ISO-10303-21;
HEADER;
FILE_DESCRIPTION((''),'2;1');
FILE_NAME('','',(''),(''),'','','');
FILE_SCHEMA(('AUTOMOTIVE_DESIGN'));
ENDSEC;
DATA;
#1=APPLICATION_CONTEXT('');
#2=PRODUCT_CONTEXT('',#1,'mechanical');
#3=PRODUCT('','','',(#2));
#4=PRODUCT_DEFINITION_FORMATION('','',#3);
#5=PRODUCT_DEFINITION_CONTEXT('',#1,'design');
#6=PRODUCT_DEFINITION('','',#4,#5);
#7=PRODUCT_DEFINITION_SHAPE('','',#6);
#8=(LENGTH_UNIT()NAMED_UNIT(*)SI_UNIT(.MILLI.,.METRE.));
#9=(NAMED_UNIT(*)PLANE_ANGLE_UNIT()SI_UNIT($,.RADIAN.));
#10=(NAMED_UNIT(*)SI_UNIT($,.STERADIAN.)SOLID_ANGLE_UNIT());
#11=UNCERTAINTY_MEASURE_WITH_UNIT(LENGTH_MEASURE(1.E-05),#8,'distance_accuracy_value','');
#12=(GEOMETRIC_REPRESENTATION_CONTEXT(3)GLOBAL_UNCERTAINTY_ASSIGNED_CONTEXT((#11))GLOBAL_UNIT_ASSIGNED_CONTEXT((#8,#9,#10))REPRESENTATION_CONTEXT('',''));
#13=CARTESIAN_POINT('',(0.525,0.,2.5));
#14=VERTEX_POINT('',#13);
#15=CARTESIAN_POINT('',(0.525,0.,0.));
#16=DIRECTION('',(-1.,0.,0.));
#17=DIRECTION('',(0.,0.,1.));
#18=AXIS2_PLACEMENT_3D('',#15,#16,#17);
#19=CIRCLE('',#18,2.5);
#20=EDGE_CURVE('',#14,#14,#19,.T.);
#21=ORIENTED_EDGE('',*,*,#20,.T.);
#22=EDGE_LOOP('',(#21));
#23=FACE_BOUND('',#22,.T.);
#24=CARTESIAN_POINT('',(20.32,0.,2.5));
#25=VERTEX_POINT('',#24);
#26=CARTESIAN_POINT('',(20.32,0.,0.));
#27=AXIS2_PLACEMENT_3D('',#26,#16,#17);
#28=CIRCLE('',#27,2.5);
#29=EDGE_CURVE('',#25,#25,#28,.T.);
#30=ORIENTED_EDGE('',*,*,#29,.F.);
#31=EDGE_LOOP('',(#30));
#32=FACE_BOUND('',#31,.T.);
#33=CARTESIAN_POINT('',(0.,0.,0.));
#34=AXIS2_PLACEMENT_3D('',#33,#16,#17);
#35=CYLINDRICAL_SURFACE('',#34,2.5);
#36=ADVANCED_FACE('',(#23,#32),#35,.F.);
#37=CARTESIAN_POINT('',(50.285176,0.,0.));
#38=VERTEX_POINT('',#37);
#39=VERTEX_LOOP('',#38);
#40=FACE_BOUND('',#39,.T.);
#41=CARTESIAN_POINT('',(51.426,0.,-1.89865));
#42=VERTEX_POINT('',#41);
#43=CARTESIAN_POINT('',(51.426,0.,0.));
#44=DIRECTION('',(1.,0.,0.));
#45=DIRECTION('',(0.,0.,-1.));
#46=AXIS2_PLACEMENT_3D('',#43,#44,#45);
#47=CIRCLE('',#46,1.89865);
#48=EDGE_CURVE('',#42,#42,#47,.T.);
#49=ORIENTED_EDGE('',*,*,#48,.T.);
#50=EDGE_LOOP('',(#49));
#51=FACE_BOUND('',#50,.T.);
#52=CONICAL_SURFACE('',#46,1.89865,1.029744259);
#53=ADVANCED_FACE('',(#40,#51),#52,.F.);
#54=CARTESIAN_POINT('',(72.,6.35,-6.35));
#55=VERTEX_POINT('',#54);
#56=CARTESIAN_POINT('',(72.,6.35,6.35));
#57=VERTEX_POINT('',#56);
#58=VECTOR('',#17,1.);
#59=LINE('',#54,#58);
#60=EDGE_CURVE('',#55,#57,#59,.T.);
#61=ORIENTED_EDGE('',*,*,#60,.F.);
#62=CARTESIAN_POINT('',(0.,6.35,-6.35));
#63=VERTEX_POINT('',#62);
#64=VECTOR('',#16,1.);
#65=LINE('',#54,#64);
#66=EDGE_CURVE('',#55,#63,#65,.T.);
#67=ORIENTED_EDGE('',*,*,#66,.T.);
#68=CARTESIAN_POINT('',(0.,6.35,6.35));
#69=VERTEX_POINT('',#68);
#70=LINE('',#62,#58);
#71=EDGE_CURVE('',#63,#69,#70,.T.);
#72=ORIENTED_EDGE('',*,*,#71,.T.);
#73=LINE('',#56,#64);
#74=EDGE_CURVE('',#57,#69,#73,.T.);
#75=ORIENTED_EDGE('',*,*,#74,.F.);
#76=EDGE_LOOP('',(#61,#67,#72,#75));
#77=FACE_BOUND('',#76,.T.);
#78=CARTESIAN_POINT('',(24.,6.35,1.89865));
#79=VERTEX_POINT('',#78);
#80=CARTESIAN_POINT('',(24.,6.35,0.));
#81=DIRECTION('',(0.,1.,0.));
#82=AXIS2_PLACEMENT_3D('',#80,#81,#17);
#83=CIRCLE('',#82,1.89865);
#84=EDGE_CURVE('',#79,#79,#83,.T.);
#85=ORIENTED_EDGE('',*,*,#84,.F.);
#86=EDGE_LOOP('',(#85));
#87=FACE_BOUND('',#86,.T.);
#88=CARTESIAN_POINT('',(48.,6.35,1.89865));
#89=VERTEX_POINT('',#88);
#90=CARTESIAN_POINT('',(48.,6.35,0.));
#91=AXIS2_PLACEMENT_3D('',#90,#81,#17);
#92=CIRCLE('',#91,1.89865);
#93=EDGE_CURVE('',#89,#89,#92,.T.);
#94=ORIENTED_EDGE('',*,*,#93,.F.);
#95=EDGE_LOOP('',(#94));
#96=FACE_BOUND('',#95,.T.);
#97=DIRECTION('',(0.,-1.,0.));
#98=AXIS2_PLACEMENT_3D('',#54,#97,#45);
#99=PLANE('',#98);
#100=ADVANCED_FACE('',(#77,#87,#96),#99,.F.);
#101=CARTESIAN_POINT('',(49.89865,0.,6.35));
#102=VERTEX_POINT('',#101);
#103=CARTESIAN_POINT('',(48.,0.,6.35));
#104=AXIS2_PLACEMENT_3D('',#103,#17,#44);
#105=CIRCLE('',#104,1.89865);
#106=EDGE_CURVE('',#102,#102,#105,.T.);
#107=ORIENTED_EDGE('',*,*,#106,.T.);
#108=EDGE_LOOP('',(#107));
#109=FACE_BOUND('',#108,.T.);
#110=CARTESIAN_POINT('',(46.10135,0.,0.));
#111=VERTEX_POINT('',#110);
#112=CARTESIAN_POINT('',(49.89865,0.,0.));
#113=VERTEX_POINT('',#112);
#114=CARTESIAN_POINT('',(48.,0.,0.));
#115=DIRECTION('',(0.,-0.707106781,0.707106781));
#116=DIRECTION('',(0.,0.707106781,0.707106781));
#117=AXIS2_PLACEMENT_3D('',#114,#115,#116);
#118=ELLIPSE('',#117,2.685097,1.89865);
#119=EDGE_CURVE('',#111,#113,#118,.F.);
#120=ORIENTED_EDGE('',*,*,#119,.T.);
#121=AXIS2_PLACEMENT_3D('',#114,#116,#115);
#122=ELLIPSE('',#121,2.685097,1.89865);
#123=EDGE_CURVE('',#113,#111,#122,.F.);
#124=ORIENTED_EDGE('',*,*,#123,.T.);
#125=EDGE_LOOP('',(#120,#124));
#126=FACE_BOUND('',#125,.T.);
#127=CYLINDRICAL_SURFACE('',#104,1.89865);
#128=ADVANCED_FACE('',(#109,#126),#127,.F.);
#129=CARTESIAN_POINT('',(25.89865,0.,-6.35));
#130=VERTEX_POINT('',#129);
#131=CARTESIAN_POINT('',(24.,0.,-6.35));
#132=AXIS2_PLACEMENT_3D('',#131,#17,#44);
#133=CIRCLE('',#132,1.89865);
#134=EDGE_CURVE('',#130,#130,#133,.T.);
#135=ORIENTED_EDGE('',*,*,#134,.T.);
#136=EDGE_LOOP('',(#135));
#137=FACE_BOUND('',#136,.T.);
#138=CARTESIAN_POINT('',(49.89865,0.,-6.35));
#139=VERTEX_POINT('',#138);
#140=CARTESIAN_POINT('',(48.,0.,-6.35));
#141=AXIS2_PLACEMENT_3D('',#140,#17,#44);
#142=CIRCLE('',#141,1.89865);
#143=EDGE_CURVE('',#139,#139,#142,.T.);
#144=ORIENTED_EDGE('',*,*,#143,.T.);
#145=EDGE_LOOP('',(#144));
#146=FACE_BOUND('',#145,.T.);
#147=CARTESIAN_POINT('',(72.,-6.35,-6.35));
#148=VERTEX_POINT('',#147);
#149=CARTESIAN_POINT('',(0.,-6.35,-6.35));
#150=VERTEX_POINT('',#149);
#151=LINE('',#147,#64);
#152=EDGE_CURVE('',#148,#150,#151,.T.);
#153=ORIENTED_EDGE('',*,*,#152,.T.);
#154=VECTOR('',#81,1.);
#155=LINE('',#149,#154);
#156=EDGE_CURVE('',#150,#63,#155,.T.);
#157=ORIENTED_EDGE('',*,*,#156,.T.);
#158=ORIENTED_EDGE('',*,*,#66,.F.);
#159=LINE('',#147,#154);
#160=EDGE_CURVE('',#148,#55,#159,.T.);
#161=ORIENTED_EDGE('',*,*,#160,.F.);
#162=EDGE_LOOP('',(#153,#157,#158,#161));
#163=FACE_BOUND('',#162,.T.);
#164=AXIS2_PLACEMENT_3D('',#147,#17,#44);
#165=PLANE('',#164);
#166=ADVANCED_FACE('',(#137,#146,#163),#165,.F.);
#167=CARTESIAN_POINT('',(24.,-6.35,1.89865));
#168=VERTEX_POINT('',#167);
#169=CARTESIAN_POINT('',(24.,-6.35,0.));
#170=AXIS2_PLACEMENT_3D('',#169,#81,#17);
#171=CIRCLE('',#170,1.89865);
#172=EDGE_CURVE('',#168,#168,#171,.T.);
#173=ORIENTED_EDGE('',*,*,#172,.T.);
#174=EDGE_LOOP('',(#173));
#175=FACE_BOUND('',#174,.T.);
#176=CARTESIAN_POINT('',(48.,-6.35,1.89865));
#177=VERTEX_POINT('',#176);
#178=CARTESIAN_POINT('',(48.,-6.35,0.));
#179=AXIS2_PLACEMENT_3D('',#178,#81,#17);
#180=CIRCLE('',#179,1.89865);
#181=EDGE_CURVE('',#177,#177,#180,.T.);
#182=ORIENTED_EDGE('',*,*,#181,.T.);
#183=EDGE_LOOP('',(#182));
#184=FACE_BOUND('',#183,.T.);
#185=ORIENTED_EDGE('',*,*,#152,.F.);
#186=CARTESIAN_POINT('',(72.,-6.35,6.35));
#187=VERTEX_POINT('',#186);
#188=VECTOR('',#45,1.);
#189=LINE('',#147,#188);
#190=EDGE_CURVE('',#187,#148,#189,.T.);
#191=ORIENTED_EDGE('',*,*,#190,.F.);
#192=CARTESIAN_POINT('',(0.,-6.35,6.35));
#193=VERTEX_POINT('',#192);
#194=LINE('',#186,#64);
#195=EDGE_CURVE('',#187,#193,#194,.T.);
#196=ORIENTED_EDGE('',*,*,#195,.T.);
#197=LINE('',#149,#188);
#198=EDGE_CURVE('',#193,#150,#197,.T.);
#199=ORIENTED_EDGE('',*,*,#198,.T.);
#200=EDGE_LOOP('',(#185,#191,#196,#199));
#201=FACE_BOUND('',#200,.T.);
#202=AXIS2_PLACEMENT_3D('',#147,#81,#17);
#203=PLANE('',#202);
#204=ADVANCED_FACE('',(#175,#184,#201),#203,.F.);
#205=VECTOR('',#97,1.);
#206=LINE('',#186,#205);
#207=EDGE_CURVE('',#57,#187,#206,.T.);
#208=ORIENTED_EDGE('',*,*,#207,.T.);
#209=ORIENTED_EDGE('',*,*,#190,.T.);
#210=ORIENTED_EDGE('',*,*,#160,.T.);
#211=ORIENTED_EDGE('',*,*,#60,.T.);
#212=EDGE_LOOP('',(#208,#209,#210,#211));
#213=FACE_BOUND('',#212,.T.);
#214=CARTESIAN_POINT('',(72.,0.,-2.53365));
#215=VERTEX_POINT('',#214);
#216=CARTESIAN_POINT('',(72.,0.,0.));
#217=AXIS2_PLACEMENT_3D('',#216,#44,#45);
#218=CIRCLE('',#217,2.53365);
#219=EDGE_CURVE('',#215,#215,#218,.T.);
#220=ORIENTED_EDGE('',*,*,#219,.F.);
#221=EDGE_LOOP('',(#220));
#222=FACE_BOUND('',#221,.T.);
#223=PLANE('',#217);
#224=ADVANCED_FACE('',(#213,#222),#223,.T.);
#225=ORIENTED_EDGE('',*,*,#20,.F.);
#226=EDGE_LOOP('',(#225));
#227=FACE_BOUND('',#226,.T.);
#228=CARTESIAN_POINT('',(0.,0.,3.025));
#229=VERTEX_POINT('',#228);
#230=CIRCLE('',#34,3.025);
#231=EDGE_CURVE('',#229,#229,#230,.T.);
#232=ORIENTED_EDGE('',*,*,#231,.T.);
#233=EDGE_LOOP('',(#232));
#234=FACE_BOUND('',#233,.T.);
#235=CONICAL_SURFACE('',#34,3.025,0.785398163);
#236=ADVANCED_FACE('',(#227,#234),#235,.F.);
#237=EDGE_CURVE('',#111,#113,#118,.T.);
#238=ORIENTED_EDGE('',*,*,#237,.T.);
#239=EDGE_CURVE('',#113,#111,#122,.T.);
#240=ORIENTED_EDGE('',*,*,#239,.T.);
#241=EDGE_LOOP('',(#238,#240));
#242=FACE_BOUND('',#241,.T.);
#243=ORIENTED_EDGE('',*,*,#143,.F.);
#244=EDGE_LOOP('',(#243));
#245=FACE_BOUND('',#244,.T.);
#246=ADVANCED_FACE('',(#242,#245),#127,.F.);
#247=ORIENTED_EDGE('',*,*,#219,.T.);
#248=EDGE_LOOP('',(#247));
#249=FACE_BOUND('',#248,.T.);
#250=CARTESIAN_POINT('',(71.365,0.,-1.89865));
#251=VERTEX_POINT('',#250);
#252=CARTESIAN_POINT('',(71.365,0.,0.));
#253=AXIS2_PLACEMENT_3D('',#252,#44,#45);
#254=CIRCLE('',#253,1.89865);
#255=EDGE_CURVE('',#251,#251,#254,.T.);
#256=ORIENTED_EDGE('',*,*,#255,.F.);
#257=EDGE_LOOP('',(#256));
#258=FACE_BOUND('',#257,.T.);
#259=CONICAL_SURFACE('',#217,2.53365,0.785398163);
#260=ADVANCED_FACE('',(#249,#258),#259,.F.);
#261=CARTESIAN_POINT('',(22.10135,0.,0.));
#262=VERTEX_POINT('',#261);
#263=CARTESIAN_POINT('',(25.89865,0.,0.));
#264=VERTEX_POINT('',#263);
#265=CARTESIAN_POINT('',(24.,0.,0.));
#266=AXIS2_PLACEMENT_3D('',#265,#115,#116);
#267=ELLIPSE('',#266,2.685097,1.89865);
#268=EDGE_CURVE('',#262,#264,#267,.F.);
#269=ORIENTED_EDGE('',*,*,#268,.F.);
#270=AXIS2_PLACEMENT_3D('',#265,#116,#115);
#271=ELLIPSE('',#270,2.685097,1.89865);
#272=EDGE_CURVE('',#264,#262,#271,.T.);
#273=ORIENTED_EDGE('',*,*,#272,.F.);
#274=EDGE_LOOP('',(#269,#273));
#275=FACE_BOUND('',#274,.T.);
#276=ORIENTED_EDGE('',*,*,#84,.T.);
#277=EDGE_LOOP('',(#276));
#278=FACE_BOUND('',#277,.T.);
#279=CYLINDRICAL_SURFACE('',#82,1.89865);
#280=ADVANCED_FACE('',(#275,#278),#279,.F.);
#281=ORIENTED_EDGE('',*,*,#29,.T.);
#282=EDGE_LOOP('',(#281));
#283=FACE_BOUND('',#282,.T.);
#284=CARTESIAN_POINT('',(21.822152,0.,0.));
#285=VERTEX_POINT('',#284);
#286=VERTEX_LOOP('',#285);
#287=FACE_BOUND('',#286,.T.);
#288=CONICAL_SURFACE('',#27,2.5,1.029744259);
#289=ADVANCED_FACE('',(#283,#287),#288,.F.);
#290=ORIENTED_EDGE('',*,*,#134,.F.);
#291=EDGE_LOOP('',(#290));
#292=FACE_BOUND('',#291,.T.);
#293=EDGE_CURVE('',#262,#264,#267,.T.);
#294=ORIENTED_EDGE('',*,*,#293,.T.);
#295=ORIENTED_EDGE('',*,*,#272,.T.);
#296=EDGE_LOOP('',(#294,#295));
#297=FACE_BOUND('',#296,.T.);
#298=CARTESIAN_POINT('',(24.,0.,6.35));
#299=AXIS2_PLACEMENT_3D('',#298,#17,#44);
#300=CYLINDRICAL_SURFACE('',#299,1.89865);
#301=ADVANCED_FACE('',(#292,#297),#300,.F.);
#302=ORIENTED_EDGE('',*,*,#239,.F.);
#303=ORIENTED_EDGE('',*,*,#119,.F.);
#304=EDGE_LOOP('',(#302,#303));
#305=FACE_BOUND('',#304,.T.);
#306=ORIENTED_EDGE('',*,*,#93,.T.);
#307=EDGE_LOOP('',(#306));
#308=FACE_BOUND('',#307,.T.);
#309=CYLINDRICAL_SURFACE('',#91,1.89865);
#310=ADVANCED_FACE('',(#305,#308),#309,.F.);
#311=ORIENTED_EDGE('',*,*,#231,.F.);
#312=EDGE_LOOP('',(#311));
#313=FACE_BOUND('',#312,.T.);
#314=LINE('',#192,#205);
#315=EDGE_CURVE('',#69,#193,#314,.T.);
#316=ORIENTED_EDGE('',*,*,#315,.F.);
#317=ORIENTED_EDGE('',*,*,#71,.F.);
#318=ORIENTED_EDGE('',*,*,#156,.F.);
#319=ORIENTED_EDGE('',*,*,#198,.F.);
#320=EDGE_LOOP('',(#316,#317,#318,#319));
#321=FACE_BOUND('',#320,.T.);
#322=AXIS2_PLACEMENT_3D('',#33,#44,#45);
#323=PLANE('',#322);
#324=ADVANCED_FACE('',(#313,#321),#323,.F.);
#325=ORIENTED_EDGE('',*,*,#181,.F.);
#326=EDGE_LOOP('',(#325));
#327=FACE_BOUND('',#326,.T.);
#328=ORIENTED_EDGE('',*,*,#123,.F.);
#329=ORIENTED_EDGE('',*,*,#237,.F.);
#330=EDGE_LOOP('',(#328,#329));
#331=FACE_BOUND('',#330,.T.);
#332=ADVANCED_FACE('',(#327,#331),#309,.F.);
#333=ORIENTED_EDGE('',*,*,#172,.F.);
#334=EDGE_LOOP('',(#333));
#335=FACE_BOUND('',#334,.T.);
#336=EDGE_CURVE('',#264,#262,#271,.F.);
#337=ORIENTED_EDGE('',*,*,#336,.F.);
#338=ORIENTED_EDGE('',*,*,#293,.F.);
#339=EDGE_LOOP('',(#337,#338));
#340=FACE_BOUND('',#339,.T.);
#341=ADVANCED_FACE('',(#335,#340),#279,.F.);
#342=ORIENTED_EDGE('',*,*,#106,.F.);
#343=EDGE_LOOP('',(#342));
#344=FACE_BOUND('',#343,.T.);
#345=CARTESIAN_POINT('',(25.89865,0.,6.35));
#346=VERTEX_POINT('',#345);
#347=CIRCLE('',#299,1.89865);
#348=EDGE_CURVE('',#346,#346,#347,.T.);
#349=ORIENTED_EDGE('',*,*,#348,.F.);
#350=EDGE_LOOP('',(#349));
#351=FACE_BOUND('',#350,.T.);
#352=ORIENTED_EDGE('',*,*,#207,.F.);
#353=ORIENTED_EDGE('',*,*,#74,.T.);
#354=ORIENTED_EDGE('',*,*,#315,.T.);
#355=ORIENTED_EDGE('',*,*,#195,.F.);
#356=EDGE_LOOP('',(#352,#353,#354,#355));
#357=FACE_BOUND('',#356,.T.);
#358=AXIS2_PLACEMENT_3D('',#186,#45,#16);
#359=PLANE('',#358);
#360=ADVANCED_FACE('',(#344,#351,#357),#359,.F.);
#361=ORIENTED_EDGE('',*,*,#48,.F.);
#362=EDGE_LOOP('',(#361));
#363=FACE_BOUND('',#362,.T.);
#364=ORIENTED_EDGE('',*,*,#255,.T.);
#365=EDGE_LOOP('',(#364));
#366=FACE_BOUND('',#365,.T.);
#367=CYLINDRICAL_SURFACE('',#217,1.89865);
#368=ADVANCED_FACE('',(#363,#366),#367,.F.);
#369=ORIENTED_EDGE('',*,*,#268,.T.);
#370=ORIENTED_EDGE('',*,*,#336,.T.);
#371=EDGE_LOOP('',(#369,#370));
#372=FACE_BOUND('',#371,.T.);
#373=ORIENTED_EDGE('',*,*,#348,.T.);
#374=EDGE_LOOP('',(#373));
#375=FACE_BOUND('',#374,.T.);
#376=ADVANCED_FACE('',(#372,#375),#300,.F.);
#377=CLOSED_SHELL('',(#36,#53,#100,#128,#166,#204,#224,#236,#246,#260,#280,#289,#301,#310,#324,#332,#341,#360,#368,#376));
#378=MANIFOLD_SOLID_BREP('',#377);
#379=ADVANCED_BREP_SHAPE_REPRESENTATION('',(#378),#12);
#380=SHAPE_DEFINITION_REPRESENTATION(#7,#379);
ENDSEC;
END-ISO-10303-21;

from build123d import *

# Parameters (mm, degrees)
SKETCH1_W                        = 12.7
SKETCH1_H                        = 12.7
BOSS_EXTRUDE1_DEPTH              = 72
F_10_24_TAPPED_HOLE1_D           = 3.7973
F_10_24_TAPPED_HOLE2_D           = 3.7973
M6X1_0_TAPPED_HOLE2_D            = 5
M6X1_0_TAPPED_HOLE2_DEPTH        = 20.32
M6X1_0_TAPPED_HOLE2_CSINK_D      = 6.05
M6X1_0_TAPPED_HOLE2_CSINK_ANGLE  = 90
M6X1_0_TAPPED_HOLE2_TIP          = 1.502151548
F_10_24_TAPPED_HOLE3_D           = 3.7973
F_10_24_TAPPED_HOLE3_DEPTH       = 20.574
F_10_24_TAPPED_HOLE3_CSINK_D     = 5.0673
F_10_24_TAPPED_HOLE3_CSINK_ANGLE = 90
F_10_24_TAPPED_HOLE3_TIP         = 1.140824014
LPATTERN1_COUNT                  = 2
LPATTERN1_PITCH                  = 24
LPATTERN2_COUNT                  = 2
LPATTERN2_PITCH                  = 24


with BuildPart() as part:
    # Sketch1 → Boss-Extrude1 (new body)
    with BuildSketch(Plane(origin=(0, 0, 0), x_dir=(0, 0, -1), z_dir=(1, 0, 0))):
        Rectangle(SKETCH1_W, SKETCH1_H)
    extrude(amount=BOSS_EXTRUDE1_DEPTH)

    # #10-24 Tapped Hole1 (through all)
    with Locations(Plane.XY.offset(6.35)):
        with Locations((24, 0)):
            f_10_24_tapped_hole1 = Hole(F_10_24_TAPPED_HOLE1_D / 2)

    # #10-24 Tapped Hole2 (through all)
    with Locations(Plane(origin=(0, 6.35, 0), x_dir=(1, 0, 0), z_dir=(0, 1, 0))):
        with Locations((24, 0)):
            f_10_24_tapped_hole2 = Hole(F_10_24_TAPPED_HOLE2_D / 2)

    # M6x1.0 Tapped Hole2
    with Locations(Plane.ZY):
        with Locations((0, 0)):
            CounterSinkHole(M6X1_0_TAPPED_HOLE2_D / 2, M6X1_0_TAPPED_HOLE2_CSINK_D / 2, depth=M6X1_0_TAPPED_HOLE2_DEPTH, counter_sink_angle=M6X1_0_TAPPED_HOLE2_CSINK_ANGLE)
            with Locations((0, 0, -(M6X1_0_TAPPED_HOLE2_DEPTH + M6X1_0_TAPPED_HOLE2_TIP / 2))):  # 118° drill point
                Cone(0, M6X1_0_TAPPED_HOLE2_D / 2, M6X1_0_TAPPED_HOLE2_TIP, mode=Mode.SUBTRACT)

    # #10-24 Tapped Hole3
    with Locations(Plane(origin=(72, 0, 0), x_dir=(0, 0, -1), z_dir=(1, 0, 0))):
        with Locations((0, 0)):
            CounterSinkHole(F_10_24_TAPPED_HOLE3_D / 2, F_10_24_TAPPED_HOLE3_CSINK_D / 2, depth=F_10_24_TAPPED_HOLE3_DEPTH, counter_sink_angle=F_10_24_TAPPED_HOLE3_CSINK_ANGLE)
            with Locations((0, 0, -(F_10_24_TAPPED_HOLE3_DEPTH + F_10_24_TAPPED_HOLE3_TIP / 2))):  # 118° drill point
                Cone(0, F_10_24_TAPPED_HOLE3_D / 2, F_10_24_TAPPED_HOLE3_TIP, mode=Mode.SUBTRACT)

    # LPattern1: #10-24 Tapped Hole1 ×2
    with Locations(*[(i * LPATTERN1_PITCH, 0, 0) for i in range(1, LPATTERN1_COUNT)]):
        add(f_10_24_tapped_hole1, mode=Mode.SUBTRACT)

    # LPattern2: #10-24 Tapped Hole2 ×2
    with Locations(*[(i * LPATTERN2_PITCH, 0, 0) for i in range(1, LPATTERN2_COUNT)]):
        add(f_10_24_tapped_hole2, mode=Mode.SUBTRACT)


solid = part.part
